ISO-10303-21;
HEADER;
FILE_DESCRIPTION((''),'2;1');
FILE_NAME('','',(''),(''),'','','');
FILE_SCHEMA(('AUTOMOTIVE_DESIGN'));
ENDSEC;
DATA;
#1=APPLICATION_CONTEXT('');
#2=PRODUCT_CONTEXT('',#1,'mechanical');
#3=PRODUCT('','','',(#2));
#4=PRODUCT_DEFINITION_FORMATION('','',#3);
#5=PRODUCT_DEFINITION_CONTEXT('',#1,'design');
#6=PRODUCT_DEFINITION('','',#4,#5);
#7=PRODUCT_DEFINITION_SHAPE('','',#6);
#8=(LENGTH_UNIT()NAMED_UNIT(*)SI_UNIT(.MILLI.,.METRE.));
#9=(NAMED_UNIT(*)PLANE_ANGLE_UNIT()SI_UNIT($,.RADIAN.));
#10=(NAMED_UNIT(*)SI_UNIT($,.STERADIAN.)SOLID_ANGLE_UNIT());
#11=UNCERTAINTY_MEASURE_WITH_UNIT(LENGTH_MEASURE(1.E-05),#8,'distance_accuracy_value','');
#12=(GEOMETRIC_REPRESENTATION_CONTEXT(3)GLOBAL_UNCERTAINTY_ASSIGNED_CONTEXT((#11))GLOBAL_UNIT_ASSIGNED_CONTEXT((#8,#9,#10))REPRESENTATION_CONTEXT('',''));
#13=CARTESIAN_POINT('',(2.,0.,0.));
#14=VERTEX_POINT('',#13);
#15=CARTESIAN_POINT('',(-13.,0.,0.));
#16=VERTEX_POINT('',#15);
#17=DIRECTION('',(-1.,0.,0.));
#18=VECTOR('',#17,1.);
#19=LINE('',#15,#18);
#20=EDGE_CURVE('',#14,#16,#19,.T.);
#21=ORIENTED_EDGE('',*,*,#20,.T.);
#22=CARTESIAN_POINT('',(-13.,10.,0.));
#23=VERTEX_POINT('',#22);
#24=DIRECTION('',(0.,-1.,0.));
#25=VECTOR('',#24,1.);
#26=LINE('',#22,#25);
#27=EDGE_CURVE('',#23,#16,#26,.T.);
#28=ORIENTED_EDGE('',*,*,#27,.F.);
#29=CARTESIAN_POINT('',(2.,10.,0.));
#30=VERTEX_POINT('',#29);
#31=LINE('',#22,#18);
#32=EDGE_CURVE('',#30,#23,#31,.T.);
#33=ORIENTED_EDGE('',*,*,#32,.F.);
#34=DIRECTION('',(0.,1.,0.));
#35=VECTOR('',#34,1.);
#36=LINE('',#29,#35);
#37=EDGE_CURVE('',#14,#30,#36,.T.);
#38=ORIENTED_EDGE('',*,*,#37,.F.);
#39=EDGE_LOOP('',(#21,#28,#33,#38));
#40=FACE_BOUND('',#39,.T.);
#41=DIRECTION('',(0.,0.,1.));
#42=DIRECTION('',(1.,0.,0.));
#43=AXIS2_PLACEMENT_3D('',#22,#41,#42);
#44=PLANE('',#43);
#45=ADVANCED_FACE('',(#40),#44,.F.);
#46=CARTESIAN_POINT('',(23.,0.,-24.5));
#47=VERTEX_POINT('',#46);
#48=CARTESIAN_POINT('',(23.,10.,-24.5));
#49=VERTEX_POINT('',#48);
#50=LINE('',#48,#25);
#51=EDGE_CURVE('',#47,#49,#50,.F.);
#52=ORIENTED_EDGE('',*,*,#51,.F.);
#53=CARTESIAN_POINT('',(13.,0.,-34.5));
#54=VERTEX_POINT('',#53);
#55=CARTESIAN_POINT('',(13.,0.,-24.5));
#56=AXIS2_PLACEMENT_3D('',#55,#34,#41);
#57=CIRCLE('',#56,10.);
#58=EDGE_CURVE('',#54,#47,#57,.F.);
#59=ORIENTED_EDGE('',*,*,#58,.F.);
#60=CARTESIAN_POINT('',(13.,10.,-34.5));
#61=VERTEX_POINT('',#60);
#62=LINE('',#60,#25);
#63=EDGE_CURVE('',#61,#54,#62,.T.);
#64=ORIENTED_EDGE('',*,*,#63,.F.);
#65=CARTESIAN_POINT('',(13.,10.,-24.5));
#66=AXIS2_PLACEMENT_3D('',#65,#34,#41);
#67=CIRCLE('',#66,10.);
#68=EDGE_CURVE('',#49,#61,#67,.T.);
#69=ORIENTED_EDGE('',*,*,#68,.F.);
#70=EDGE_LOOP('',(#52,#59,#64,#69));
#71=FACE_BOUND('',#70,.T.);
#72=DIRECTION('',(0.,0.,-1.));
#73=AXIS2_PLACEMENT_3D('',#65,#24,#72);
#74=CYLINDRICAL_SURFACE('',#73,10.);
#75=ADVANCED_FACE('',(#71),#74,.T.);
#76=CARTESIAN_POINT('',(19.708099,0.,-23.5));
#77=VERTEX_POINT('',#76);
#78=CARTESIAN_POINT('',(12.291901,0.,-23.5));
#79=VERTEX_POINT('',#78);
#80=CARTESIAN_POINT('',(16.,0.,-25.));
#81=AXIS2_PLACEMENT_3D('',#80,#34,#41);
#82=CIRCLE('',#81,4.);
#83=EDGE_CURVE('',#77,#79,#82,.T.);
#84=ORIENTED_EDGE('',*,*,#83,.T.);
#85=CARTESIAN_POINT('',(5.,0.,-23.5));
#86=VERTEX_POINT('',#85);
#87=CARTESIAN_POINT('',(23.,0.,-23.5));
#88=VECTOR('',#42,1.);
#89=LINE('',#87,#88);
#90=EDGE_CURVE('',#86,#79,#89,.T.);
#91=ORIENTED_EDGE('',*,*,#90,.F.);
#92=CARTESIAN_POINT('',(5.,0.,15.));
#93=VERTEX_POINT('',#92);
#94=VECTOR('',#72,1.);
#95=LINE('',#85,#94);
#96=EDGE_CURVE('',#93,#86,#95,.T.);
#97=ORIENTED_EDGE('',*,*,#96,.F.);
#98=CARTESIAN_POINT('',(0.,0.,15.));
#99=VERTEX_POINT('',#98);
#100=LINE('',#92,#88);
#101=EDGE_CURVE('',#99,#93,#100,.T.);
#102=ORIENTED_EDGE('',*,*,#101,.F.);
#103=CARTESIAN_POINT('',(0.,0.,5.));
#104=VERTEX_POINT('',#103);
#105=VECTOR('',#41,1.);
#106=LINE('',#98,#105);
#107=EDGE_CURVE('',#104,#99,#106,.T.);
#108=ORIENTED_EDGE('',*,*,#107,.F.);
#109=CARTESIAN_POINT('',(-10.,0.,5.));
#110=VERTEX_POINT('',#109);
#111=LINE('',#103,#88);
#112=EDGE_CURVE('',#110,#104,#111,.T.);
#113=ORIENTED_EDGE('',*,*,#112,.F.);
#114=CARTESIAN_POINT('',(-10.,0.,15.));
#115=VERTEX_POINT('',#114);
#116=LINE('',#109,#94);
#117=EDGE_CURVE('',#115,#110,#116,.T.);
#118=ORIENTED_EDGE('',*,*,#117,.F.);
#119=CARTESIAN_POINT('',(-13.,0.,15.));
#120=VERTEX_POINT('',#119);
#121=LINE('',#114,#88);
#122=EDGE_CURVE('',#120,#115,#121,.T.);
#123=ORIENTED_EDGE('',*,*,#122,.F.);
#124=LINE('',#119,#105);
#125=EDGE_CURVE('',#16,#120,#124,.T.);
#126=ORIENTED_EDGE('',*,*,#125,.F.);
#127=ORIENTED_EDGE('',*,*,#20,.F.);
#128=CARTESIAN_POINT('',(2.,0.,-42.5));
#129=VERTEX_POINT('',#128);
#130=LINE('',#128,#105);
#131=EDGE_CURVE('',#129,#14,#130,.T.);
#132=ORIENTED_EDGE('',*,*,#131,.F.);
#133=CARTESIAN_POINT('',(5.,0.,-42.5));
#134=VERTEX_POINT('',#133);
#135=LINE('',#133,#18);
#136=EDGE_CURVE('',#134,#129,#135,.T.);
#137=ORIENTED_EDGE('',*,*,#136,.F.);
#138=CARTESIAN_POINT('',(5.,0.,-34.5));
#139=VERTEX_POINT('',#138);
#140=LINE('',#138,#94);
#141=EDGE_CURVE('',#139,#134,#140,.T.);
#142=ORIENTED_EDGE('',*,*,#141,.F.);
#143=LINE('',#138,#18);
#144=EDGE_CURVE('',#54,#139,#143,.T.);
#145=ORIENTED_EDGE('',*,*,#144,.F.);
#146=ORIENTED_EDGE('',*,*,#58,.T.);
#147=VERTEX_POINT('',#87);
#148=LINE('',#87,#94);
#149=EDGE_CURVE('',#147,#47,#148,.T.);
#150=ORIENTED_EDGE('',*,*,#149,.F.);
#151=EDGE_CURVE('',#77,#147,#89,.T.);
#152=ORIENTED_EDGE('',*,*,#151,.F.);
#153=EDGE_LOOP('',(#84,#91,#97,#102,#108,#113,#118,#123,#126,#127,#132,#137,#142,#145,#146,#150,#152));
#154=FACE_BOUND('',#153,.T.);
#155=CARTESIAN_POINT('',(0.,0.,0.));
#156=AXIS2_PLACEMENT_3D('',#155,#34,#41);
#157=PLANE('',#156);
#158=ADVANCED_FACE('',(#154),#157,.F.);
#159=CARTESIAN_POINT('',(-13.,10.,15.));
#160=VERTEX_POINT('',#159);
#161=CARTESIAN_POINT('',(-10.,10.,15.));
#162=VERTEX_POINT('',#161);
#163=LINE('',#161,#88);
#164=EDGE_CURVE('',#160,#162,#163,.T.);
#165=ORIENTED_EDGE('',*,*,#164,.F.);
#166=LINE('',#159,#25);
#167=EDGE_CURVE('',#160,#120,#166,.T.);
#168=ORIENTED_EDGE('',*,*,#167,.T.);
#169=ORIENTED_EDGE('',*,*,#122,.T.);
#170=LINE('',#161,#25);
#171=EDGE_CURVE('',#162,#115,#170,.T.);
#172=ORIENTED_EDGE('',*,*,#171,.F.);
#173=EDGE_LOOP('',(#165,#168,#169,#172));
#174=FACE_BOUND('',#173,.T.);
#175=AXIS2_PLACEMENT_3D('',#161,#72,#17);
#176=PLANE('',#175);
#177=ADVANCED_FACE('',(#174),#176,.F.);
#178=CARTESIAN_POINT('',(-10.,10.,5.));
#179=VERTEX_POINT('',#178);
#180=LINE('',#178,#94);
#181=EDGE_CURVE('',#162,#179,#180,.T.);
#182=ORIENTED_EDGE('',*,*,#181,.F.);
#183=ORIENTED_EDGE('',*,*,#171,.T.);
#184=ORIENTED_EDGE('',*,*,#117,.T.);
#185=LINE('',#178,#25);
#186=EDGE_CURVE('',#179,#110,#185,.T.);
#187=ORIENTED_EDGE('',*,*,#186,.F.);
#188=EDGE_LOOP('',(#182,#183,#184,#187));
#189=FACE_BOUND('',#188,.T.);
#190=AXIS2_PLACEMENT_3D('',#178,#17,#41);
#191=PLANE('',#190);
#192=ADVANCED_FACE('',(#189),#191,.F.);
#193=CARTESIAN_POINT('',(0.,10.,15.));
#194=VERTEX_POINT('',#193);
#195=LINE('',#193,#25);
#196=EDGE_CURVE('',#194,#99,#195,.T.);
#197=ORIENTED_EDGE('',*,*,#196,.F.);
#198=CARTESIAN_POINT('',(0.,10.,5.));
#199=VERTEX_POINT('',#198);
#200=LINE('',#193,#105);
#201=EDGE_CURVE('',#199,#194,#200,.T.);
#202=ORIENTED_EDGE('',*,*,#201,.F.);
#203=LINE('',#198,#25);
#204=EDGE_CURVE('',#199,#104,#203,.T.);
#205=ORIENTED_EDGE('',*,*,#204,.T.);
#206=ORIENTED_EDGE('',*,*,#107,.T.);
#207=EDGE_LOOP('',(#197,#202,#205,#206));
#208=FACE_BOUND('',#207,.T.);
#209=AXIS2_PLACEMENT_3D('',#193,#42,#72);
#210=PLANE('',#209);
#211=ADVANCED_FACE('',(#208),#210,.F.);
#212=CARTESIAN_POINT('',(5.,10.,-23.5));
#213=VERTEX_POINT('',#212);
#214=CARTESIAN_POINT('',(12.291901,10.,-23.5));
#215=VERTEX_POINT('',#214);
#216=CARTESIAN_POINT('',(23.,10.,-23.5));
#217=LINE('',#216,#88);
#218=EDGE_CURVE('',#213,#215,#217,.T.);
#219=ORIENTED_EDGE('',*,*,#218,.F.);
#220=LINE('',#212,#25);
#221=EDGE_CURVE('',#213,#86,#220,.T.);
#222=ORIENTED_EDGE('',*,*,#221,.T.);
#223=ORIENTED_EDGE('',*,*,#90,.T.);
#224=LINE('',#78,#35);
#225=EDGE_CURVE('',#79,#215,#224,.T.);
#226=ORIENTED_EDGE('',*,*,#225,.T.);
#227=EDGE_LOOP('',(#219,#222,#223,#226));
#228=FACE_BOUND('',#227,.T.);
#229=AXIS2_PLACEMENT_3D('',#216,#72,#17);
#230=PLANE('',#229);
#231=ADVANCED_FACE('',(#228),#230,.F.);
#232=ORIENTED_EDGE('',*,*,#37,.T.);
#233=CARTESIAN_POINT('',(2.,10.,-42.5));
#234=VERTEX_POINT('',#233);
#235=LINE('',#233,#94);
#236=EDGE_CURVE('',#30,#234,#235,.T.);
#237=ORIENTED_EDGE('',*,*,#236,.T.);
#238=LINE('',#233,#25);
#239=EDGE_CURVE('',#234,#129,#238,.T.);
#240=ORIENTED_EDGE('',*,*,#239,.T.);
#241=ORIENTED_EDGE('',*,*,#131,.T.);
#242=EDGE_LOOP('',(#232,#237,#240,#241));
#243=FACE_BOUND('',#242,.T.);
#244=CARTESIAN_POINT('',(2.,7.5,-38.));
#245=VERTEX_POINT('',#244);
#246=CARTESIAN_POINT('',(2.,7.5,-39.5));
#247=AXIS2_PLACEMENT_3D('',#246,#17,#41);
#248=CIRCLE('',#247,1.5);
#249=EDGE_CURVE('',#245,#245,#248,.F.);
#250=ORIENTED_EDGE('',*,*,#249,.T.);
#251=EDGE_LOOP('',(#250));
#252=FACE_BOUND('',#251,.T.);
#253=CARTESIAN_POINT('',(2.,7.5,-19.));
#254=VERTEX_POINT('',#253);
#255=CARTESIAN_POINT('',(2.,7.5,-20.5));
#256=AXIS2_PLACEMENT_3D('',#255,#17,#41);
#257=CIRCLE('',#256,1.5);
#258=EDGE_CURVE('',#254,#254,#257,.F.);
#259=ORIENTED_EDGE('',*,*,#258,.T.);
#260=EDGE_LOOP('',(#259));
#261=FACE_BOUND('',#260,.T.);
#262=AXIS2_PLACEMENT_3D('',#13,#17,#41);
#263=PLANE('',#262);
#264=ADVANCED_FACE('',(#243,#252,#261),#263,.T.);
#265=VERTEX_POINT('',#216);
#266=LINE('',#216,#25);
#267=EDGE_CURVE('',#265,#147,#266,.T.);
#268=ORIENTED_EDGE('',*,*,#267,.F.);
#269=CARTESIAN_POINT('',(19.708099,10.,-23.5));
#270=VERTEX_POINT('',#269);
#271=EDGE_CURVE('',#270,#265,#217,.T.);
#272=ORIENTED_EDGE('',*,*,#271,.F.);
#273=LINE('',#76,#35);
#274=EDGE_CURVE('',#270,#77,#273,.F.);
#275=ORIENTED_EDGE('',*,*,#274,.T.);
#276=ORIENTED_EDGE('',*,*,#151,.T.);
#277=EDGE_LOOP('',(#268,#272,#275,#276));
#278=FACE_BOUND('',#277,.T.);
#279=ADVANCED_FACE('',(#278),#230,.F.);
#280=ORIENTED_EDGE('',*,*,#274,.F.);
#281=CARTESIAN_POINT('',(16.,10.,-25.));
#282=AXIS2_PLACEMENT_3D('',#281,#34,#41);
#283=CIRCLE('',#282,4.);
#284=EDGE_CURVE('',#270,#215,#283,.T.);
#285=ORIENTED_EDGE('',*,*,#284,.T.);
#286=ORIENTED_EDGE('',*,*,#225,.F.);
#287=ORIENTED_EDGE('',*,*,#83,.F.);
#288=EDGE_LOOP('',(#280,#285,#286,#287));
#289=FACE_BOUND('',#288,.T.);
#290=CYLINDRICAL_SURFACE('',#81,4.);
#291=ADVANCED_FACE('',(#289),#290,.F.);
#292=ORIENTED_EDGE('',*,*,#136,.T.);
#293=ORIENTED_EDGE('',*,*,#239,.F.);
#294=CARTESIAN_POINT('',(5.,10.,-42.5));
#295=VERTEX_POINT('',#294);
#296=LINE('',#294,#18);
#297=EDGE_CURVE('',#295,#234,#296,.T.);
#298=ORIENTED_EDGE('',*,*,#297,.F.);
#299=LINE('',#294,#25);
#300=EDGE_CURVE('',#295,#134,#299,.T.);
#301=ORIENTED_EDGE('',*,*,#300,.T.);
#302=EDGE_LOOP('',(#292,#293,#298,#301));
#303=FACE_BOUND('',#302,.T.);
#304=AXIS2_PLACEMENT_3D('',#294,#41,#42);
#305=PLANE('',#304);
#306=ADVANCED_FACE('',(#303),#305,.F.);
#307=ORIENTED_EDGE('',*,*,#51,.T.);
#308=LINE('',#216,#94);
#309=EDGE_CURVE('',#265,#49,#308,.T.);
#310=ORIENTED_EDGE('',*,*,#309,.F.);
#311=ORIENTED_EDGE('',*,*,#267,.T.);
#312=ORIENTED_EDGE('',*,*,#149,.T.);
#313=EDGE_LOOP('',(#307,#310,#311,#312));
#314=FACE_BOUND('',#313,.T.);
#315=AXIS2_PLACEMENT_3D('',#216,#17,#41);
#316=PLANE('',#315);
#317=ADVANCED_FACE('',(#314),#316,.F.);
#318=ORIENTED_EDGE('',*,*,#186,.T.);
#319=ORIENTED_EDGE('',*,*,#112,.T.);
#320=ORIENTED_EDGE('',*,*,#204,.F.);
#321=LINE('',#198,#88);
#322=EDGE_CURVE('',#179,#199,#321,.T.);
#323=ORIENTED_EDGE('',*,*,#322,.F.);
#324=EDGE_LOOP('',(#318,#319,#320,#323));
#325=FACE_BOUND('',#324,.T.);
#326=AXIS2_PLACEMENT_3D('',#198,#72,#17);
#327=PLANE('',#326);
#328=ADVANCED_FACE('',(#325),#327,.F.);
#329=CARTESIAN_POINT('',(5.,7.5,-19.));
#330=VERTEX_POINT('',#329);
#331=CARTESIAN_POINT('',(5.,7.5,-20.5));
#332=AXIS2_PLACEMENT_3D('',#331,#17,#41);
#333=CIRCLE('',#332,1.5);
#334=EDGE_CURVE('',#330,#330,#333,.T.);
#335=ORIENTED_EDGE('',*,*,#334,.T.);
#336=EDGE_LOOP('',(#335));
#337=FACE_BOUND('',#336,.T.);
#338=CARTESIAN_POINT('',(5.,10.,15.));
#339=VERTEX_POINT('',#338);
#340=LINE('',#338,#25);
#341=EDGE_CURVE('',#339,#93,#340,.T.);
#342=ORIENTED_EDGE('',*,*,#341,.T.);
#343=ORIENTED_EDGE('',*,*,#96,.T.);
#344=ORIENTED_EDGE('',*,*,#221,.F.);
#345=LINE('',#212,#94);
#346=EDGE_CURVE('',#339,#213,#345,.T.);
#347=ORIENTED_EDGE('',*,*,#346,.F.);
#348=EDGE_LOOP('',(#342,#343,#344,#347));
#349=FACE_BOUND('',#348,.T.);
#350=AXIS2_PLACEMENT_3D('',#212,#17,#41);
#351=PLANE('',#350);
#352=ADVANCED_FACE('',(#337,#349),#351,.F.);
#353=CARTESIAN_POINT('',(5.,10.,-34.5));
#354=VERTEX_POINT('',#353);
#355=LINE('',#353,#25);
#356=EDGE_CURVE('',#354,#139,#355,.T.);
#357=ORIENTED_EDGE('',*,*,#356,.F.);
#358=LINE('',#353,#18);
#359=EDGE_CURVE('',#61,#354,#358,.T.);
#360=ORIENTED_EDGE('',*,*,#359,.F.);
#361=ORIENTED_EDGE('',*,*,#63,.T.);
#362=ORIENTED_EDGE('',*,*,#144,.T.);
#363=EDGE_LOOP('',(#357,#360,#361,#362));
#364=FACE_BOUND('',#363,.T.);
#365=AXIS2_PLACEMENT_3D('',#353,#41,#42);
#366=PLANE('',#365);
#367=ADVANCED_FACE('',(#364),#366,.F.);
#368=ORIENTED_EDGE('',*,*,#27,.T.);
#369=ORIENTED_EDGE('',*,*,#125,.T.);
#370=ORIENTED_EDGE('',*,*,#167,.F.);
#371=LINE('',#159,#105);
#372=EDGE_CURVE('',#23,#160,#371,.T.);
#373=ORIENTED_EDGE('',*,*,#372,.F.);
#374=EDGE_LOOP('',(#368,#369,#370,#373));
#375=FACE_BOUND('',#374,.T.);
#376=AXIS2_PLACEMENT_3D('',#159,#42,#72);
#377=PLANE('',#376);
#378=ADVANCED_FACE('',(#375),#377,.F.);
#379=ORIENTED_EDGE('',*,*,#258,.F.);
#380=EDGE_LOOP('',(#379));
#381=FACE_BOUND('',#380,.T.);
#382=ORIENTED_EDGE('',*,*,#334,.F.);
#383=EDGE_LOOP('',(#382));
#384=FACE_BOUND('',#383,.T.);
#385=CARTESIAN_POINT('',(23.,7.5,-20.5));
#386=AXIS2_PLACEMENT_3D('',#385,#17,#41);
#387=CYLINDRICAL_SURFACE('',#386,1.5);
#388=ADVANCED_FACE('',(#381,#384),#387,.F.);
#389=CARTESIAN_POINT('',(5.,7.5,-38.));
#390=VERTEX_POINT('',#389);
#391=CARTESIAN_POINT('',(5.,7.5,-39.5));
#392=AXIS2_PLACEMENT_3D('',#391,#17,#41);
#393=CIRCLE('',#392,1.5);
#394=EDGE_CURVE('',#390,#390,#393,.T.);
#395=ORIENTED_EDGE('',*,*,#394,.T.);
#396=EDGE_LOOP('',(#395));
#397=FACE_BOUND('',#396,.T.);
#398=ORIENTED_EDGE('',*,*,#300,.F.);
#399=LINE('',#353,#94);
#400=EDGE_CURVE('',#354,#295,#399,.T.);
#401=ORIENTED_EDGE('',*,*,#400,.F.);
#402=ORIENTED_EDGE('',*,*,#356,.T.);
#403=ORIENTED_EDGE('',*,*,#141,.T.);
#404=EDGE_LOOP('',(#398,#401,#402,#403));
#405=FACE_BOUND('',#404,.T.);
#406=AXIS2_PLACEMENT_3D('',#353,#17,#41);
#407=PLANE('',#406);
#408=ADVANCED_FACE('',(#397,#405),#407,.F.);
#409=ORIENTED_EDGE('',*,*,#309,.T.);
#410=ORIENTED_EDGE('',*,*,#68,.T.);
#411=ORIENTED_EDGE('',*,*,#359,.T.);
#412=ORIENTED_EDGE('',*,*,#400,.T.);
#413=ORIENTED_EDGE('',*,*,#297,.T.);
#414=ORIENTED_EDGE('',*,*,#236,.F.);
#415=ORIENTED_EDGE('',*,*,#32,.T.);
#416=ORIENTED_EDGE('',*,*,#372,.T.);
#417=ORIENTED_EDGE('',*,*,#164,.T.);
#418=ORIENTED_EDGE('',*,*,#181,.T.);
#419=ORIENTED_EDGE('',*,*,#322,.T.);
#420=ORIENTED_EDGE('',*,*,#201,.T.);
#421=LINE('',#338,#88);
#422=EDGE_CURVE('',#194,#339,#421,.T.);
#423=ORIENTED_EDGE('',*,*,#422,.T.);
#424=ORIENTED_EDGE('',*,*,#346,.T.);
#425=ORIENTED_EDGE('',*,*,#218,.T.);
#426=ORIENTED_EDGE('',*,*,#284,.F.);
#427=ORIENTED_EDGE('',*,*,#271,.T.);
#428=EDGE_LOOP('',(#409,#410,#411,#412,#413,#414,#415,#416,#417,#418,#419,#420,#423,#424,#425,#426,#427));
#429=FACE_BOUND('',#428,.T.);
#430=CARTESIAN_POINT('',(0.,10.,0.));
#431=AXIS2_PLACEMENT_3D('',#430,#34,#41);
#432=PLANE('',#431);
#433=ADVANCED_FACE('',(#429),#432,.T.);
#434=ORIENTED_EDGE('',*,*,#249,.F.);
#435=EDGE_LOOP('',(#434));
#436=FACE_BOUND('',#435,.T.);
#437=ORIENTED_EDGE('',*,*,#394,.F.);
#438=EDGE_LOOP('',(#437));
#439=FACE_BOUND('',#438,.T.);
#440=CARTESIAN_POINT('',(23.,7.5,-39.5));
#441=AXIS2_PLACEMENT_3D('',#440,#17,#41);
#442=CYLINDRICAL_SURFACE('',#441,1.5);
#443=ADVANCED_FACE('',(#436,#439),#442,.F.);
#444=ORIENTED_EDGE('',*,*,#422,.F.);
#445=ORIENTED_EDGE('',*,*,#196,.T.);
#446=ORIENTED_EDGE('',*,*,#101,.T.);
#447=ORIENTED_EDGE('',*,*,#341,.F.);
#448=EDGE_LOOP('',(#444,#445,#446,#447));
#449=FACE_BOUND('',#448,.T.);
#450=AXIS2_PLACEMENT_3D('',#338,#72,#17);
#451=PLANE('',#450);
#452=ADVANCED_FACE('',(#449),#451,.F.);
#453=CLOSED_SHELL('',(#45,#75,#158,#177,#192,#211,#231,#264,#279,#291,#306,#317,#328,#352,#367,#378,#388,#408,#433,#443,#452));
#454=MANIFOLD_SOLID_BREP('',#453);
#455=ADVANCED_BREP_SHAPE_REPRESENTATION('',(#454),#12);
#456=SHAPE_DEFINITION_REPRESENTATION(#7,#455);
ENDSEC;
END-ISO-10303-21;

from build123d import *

# Parameters (mm, degrees)
BOSS_EXTRUDE1_DEPTH = 10
SKETCH2_R           = 4
CUT_EXTRUDE1_DEPTH  = 50.348252249
SKETCH3_R           = 1.5
CUT_EXTRUDE2_DEPTH  = 50.348252249
SKETCH5_W           = 42.5
SKETCH5_H           = 10
CUT_EXTRUDE4_DEPTH  = 2
FILLET1_R           = 10


with BuildPart() as part:
    # Sketch1 → Boss-Extrude1 (new body)
    with BuildSketch(Plane(origin=(0, 0, 0), x_dir=(1, 0, 0), z_dir=(0, 1, 0))):
        Polygon((0, 0), (0, 34), (0, 42.5), (5, 42.5), (5, 34.5), (23, 34.5), (23, 23.5), (5, 23.5), (5, -15), (0, -15), (0, -5), (-10, -5), (-10, -15), (-13, -15), (-13, 0), align=None)
    extrude(amount=BOSS_EXTRUDE1_DEPTH)

    # Sketch2 → Cut-Extrude1 (cut, through all)
    with BuildSketch(Plane(origin=(0, 10, 0), x_dir=(1, 0, 0), z_dir=(0, 1, 0))):
        with Locations((16, 25)):
            Circle(SKETCH2_R)
    extrude(amount=-CUT_EXTRUDE1_DEPTH, mode=Mode.SUBTRACT)

    # Sketch3 → Cut-Extrude2 (cut, through all)
    with BuildSketch(Plane.ZY):
        with Locations((-39.5, 7.5)):
            Circle(SKETCH3_R)
        with Locations((-20.5, 7.5)):
            Circle(SKETCH3_R)
    extrude(amount=-CUT_EXTRUDE2_DEPTH, mode=Mode.SUBTRACT)

    # Sketch5 → Cut-Extrude4 (cut)
    with BuildSketch(Plane.ZY):
        with Locations((-21.25, 5)):
            Rectangle(SKETCH5_W, SKETCH5_H)
    extrude(amount=-CUT_EXTRUDE4_DEPTH, mode=Mode.SUBTRACT)

    # Fillet1
    fillet1_edges = [part.edges().sort_by_distance(p)[0] for p in [
        (23, 5, -34.5),
    ]]
    fillet(fillet1_edges, radius=FILLET1_R)


solid = part.part
